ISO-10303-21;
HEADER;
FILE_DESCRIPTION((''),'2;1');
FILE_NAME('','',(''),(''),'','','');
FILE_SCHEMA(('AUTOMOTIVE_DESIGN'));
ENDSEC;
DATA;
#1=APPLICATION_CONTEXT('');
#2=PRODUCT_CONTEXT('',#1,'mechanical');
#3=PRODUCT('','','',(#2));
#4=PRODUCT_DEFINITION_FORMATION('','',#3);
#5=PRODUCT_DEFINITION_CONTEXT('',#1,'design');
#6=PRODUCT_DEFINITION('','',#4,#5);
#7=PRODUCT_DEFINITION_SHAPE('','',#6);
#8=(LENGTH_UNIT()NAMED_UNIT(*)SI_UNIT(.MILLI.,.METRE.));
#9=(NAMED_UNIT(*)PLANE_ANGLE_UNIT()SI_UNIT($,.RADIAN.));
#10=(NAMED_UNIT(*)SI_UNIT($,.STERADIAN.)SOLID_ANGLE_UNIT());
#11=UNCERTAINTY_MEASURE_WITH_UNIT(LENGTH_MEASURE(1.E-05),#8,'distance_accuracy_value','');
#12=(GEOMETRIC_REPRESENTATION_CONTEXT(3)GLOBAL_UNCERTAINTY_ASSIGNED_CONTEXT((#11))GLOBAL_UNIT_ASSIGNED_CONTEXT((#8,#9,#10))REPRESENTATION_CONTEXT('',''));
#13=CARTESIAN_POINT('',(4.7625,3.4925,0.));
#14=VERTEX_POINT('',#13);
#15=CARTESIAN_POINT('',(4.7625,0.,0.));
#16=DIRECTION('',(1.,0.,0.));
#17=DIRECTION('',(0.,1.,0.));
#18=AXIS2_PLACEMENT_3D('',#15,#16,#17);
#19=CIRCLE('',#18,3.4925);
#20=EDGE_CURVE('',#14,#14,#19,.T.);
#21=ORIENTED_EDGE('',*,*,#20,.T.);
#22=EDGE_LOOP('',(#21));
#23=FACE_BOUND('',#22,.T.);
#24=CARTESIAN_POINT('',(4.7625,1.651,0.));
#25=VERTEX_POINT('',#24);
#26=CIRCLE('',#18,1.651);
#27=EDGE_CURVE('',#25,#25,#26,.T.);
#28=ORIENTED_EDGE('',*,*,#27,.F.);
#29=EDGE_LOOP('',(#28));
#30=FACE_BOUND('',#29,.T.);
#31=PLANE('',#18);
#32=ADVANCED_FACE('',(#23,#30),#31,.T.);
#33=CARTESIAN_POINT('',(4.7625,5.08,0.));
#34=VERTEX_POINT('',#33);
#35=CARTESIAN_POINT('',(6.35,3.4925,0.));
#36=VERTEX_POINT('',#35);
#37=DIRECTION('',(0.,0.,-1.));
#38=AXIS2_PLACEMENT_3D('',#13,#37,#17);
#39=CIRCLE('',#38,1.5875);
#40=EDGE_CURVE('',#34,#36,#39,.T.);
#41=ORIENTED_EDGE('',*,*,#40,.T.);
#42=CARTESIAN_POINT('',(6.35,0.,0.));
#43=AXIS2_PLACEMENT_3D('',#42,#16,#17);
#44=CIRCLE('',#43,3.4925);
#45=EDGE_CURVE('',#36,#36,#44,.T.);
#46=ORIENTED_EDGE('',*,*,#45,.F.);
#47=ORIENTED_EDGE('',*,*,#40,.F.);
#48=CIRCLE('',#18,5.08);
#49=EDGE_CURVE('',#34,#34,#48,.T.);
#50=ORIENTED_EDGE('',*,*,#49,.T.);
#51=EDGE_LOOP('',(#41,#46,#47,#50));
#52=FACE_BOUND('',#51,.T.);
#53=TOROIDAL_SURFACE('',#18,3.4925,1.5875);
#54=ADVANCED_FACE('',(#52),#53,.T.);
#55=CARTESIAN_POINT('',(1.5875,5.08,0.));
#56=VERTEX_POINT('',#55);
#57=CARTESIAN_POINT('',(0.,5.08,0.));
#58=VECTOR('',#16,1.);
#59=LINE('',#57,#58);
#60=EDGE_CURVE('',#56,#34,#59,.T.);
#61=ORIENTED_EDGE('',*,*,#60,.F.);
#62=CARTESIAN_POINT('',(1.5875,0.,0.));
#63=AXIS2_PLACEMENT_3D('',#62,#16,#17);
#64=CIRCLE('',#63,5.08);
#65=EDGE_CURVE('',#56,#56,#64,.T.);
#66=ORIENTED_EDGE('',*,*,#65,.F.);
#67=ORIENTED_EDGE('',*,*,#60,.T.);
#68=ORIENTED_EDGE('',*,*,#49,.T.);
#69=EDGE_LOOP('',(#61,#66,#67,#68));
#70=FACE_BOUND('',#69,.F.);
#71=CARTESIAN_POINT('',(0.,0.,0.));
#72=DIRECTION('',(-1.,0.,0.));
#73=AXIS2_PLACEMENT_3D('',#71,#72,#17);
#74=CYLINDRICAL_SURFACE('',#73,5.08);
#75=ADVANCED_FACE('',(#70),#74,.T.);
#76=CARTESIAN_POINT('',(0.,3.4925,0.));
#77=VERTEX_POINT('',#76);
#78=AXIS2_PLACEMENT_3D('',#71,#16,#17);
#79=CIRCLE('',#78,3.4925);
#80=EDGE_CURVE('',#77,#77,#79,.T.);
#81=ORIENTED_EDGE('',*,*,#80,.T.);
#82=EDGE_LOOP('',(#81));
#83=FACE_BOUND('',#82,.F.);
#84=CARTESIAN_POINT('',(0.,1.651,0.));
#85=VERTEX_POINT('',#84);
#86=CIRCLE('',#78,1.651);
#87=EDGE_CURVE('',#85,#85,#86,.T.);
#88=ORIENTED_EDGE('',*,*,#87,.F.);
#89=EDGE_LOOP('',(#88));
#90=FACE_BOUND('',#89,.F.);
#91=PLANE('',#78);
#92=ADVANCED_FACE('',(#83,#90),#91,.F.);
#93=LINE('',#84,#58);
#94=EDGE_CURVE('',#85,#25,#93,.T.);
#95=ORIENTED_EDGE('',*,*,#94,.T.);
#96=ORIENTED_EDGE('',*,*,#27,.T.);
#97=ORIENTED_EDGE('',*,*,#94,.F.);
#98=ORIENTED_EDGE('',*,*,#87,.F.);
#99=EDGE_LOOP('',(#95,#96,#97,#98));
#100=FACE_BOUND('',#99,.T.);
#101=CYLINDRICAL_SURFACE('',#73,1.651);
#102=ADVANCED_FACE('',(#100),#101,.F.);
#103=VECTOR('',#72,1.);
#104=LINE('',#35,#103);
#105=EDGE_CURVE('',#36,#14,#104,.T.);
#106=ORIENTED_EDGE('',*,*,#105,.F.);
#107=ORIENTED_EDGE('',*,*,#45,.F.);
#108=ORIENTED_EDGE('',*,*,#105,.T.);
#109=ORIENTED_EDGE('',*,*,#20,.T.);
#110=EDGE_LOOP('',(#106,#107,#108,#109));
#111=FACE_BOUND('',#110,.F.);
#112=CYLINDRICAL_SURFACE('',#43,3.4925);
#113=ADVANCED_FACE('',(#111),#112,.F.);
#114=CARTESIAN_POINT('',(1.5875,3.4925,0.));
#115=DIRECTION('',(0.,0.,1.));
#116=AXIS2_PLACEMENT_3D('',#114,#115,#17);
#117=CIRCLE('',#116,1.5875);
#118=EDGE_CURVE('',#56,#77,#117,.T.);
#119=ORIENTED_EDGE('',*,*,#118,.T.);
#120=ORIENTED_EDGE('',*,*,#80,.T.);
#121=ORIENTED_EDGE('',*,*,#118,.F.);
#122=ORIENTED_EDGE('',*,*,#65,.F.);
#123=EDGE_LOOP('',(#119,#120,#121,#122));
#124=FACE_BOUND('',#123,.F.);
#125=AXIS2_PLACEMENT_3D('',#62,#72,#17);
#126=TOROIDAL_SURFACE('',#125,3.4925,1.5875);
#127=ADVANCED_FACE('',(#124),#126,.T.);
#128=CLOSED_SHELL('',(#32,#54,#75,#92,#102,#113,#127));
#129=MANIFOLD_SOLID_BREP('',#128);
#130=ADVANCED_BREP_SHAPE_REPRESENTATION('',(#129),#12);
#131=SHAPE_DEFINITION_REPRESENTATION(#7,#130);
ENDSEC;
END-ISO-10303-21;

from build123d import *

# Parameters (mm, degrees)
F0_R     = 5.08
F0_R_2   = 1.651
F1_DEPTH = 6.35
F2_R     = 1.5875
F3_R     = 3.4925
F3_R_2   = 1.651
F4_DEPTH = 1.5875


with BuildPart() as f1:
    # F0 (on Right) → F1 (new body)
    with BuildSketch(Plane.YZ):
        Circle(F0_R)
        Circle(F0_R_2, mode=Mode.SUBTRACT)
    extrude(amount=F1_DEPTH)

    # F2
    f2_edges = [f1.edges().sort_by_distance(p)[0] for p in [
        (6.35, -5.08, 0),
        (0, -5.08, 0),
    ]]
    fillet(f2_edges, radius=F2_R)

    # F3 (on face) → F4 (cut)
    with BuildSketch(Plane.YZ.offset(6.35)):
        Circle(F3_R)
        Circle(F3_R_2, mode=Mode.SUBTRACT)
    extrude(amount=-F4_DEPTH, mode=Mode.SUBTRACT)


solid = f1.part
